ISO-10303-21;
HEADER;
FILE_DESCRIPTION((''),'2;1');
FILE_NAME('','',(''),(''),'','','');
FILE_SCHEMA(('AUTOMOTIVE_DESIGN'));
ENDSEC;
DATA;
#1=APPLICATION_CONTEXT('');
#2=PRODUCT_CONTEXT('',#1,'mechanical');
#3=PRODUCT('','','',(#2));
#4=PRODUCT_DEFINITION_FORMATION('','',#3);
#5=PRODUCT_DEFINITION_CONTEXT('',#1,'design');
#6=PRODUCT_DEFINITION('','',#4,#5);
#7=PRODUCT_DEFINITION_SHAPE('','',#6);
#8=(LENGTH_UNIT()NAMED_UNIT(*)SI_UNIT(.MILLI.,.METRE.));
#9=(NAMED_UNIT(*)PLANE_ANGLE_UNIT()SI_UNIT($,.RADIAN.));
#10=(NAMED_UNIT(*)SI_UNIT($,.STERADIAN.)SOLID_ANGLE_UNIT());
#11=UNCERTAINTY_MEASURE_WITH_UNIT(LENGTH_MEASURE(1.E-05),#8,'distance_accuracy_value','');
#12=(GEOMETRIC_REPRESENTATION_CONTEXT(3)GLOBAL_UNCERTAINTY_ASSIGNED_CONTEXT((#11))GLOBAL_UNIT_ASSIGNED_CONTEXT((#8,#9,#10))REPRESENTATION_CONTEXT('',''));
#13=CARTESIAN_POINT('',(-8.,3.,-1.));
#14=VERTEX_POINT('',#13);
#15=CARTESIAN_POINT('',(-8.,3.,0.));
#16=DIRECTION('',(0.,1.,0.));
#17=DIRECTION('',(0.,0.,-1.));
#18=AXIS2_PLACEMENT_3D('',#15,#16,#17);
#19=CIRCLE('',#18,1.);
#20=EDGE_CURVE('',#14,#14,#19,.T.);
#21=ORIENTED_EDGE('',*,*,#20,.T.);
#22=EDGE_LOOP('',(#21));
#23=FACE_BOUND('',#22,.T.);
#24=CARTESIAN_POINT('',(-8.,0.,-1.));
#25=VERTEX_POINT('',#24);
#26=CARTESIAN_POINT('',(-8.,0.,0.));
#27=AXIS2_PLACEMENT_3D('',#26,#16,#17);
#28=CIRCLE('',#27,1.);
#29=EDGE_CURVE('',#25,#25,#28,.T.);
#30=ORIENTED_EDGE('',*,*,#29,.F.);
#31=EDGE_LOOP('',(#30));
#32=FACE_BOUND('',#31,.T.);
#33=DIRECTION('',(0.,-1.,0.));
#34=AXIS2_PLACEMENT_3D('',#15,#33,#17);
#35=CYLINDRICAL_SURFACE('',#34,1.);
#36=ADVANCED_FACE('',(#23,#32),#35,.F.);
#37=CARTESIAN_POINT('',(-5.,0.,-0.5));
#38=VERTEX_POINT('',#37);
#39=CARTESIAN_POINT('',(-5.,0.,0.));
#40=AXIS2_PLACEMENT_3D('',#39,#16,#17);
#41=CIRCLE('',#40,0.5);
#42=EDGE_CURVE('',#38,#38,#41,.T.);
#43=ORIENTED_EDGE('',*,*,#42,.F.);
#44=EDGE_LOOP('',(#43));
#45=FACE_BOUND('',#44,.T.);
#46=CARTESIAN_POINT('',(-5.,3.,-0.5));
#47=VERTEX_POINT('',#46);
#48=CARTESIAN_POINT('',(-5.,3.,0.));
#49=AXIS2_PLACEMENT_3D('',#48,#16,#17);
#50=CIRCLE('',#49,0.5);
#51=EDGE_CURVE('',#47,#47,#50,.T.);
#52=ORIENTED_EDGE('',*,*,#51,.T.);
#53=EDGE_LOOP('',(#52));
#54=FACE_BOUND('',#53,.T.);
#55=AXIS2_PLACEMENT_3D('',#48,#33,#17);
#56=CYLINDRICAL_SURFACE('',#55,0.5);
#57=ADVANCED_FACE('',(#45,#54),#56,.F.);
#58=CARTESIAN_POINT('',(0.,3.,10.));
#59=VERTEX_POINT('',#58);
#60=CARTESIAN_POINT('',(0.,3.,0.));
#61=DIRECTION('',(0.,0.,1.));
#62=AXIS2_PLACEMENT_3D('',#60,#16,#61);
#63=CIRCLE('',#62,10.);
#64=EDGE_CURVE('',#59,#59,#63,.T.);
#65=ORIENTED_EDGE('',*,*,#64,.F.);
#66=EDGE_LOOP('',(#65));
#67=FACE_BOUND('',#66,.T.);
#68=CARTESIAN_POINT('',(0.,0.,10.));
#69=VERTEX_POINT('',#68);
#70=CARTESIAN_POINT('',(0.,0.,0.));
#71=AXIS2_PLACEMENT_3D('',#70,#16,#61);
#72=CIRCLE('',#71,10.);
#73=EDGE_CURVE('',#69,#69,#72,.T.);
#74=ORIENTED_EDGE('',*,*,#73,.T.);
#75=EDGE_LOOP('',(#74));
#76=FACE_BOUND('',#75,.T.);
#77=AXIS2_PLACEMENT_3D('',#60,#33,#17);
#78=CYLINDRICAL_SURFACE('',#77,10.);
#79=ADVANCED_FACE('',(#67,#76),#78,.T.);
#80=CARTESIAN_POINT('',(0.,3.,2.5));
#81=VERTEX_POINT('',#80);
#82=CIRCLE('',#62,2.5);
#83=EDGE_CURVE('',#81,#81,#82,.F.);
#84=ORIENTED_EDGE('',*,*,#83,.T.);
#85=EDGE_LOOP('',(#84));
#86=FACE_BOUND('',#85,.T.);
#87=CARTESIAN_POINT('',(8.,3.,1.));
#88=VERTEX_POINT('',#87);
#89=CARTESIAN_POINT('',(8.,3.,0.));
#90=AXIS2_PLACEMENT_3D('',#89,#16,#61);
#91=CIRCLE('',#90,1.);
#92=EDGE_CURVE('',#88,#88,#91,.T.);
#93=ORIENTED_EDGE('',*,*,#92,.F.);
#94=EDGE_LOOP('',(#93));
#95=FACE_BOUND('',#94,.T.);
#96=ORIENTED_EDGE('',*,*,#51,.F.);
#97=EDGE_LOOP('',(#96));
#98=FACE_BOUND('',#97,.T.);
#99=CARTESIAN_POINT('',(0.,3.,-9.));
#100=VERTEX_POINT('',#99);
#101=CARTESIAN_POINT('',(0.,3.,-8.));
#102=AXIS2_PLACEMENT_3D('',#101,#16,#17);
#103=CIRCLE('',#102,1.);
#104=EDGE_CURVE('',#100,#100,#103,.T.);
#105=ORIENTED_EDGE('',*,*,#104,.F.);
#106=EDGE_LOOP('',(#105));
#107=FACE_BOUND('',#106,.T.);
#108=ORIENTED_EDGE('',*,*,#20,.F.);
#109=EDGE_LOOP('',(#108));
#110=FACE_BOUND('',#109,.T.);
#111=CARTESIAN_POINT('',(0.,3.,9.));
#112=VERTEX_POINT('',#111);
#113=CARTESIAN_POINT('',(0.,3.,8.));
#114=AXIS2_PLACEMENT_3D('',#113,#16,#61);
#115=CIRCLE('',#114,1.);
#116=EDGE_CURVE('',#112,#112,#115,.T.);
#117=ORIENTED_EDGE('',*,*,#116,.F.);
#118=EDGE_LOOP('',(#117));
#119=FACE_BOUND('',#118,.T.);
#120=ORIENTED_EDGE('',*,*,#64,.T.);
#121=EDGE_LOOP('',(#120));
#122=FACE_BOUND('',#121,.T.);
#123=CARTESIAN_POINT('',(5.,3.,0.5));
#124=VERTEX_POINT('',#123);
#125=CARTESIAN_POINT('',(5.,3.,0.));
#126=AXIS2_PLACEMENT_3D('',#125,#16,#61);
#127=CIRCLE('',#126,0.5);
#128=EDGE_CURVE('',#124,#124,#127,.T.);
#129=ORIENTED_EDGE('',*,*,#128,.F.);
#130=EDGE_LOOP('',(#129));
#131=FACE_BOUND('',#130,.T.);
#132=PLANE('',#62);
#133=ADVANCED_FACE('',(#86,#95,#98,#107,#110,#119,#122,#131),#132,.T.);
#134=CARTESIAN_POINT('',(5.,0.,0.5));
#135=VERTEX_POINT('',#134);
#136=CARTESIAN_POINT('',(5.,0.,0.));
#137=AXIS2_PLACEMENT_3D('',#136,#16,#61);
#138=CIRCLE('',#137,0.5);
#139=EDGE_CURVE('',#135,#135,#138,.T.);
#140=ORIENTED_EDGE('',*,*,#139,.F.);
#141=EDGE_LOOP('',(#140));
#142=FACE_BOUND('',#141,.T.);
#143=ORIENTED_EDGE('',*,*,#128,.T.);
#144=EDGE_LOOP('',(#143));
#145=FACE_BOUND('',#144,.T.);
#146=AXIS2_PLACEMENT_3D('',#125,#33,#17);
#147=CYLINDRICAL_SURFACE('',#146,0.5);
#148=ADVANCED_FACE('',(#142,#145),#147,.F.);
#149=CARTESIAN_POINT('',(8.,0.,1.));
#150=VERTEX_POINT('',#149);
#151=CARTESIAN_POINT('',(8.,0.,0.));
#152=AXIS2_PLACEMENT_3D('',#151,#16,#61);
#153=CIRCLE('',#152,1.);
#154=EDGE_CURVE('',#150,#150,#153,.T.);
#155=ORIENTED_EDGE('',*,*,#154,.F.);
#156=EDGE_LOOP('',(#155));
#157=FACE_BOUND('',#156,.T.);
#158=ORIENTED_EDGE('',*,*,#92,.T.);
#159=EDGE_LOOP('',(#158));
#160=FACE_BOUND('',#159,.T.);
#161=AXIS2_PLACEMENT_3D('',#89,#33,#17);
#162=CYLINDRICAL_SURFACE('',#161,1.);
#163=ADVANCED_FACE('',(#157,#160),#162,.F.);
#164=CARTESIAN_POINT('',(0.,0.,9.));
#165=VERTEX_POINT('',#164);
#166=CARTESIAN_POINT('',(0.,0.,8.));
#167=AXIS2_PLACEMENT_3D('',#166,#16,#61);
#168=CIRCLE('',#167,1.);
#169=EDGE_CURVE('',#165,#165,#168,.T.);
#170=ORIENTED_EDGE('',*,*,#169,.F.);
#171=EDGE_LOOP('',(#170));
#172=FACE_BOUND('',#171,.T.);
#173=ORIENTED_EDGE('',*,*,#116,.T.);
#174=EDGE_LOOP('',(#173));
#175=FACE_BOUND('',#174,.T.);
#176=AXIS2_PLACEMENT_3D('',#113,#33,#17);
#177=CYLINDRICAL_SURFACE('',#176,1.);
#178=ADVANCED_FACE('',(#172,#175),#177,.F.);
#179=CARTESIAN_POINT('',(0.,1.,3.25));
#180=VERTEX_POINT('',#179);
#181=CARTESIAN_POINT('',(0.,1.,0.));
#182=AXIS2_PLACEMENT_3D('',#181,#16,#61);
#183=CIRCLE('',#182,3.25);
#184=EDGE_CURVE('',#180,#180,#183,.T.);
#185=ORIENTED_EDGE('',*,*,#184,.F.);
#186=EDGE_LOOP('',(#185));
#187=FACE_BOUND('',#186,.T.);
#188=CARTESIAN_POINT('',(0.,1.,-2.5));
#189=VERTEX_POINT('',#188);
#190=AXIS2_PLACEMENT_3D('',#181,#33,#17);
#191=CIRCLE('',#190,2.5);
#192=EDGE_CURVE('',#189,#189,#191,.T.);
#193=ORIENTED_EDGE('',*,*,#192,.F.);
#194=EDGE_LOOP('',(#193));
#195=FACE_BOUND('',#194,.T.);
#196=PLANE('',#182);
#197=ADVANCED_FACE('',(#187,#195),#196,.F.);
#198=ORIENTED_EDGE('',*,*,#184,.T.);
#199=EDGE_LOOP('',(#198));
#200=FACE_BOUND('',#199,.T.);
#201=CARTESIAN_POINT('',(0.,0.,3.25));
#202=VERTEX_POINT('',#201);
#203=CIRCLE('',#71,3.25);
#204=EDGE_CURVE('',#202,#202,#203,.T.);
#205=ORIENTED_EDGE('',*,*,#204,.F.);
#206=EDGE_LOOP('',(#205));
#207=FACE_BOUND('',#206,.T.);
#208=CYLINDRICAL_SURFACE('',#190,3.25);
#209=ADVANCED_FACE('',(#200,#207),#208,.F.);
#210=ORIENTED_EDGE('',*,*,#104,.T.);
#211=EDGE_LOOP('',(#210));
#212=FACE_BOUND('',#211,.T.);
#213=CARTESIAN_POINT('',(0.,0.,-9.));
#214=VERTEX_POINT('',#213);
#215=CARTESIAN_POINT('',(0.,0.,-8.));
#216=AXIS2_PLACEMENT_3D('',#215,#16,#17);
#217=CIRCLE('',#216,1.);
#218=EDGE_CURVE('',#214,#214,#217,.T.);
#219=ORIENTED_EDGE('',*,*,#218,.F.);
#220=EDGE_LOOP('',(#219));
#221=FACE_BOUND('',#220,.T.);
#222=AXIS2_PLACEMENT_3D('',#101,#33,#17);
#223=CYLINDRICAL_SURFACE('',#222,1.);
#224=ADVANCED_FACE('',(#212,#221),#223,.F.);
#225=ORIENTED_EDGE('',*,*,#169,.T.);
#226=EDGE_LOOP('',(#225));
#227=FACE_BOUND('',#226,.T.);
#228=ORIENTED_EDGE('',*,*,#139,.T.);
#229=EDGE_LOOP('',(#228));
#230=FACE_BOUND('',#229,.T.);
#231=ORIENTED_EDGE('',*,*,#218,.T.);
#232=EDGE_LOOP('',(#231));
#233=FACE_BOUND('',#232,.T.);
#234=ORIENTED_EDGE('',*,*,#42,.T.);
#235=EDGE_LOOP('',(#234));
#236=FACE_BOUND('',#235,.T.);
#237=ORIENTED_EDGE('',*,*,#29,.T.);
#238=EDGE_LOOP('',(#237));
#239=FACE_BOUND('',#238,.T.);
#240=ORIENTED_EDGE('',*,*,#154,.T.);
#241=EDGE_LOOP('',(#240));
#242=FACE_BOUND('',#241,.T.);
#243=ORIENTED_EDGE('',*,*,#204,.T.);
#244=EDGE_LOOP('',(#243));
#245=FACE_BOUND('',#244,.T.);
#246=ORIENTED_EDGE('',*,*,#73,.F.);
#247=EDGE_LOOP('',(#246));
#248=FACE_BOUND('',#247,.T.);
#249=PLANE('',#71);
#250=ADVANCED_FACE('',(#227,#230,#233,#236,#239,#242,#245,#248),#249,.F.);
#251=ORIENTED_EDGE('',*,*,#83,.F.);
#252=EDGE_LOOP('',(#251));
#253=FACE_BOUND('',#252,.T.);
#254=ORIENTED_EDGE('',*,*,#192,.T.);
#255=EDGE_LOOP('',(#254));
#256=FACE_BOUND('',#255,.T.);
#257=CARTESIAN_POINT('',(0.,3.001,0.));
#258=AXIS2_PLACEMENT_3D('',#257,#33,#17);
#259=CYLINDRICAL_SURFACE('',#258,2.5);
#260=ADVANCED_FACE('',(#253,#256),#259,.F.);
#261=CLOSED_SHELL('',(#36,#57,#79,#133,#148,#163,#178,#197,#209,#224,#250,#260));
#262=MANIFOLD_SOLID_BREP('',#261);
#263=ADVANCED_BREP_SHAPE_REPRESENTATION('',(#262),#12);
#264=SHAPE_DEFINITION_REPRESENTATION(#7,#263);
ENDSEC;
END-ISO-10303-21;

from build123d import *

# Parameters (mm, degrees)
SKETCH_1_R          = 10
EXTRUDE_1_DEPTH     = 3
SKETCH_2_R          = 1
SKETCH_2_R_2        = 0.5
CUT_EXTRUDE_1_DEPTH = 3
SKETCH_4_R          = 3.25
CUT_EXTRUDE_5_DEPTH = 1
CUT_EXTRUDE_6_REACH = 16.283
SKETCH_5_R          = 2.5


with BuildPart() as part:
    # 草图1 → 凸台-拉伸1 (new body)
    with BuildSketch(Plane(origin=(0, 0, 0), x_dir=(1, 0, 0), z_dir=(0, 1, 0))):
        with Locations(Location((0, 0, 0), (0, 0, 270))):
            Circle(SKETCH_1_R)
    extrude(amount=EXTRUDE_1_DEPTH)

    # 草图2 → 切除-拉伸1 (cut)
    with BuildSketch(Plane(origin=(0, 0, 0), x_dir=(1, 0, 0), z_dir=(0, 1, 0))):
        with Locations(Location((8, 0, 0), (0, 0, 270))):
            Circle(SKETCH_2_R)
        with Locations(Location((5, 0, 0), (0, 0, 270))):
            Circle(SKETCH_2_R_2)
        with Locations(Location((-5, 0, 0), (0, 0, 90))):
            Circle(SKETCH_2_R_2)
        with Locations(Location((-8, 0, 0), (0, 0, 90))):
            Circle(SKETCH_2_R)
        with Locations(Location((0, 8, 0), (0, 0, 90))):
            Circle(SKETCH_2_R)
        with Locations(Location((0, -8, 0), (0, 0, 270))):
            Circle(SKETCH_2_R)
    extrude(amount=CUT_EXTRUDE_1_DEPTH, mode=Mode.SUBTRACT)

    # 草图4 → 切除-拉伸5 (cut)
    with BuildSketch(Plane(origin=(0, 0, 0), x_dir=(1, 0, 0), z_dir=(0, 1, 0))):
        with Locations(Location((0, 0, 0), (0, 0, 270))):
            Circle(SKETCH_4_R)
    extrude(amount=CUT_EXTRUDE_5_DEPTH, mode=Mode.SUBTRACT)

    # 草图5 → 切除-拉伸6 (cut, up to next)
    with BuildSketch(Plane.XZ.offset(-1), mode=Mode.PRIVATE) as cut_extrude_6_sk1:
        with Locations(Location((0, 0, 0), (0, 0, 270))):
            Circle(SKETCH_5_R)
    cut_extrude_6_tool1 = extrude(cut_extrude_6_sk1.sketch, amount=-CUT_EXTRUDE_6_REACH, mode=Mode.PRIVATE) & part.part
    add(cut_extrude_6_tool1.solids().sort_by_distance((0, 1, 0))[0], mode=Mode.SUBTRACT)


solid = part.part
